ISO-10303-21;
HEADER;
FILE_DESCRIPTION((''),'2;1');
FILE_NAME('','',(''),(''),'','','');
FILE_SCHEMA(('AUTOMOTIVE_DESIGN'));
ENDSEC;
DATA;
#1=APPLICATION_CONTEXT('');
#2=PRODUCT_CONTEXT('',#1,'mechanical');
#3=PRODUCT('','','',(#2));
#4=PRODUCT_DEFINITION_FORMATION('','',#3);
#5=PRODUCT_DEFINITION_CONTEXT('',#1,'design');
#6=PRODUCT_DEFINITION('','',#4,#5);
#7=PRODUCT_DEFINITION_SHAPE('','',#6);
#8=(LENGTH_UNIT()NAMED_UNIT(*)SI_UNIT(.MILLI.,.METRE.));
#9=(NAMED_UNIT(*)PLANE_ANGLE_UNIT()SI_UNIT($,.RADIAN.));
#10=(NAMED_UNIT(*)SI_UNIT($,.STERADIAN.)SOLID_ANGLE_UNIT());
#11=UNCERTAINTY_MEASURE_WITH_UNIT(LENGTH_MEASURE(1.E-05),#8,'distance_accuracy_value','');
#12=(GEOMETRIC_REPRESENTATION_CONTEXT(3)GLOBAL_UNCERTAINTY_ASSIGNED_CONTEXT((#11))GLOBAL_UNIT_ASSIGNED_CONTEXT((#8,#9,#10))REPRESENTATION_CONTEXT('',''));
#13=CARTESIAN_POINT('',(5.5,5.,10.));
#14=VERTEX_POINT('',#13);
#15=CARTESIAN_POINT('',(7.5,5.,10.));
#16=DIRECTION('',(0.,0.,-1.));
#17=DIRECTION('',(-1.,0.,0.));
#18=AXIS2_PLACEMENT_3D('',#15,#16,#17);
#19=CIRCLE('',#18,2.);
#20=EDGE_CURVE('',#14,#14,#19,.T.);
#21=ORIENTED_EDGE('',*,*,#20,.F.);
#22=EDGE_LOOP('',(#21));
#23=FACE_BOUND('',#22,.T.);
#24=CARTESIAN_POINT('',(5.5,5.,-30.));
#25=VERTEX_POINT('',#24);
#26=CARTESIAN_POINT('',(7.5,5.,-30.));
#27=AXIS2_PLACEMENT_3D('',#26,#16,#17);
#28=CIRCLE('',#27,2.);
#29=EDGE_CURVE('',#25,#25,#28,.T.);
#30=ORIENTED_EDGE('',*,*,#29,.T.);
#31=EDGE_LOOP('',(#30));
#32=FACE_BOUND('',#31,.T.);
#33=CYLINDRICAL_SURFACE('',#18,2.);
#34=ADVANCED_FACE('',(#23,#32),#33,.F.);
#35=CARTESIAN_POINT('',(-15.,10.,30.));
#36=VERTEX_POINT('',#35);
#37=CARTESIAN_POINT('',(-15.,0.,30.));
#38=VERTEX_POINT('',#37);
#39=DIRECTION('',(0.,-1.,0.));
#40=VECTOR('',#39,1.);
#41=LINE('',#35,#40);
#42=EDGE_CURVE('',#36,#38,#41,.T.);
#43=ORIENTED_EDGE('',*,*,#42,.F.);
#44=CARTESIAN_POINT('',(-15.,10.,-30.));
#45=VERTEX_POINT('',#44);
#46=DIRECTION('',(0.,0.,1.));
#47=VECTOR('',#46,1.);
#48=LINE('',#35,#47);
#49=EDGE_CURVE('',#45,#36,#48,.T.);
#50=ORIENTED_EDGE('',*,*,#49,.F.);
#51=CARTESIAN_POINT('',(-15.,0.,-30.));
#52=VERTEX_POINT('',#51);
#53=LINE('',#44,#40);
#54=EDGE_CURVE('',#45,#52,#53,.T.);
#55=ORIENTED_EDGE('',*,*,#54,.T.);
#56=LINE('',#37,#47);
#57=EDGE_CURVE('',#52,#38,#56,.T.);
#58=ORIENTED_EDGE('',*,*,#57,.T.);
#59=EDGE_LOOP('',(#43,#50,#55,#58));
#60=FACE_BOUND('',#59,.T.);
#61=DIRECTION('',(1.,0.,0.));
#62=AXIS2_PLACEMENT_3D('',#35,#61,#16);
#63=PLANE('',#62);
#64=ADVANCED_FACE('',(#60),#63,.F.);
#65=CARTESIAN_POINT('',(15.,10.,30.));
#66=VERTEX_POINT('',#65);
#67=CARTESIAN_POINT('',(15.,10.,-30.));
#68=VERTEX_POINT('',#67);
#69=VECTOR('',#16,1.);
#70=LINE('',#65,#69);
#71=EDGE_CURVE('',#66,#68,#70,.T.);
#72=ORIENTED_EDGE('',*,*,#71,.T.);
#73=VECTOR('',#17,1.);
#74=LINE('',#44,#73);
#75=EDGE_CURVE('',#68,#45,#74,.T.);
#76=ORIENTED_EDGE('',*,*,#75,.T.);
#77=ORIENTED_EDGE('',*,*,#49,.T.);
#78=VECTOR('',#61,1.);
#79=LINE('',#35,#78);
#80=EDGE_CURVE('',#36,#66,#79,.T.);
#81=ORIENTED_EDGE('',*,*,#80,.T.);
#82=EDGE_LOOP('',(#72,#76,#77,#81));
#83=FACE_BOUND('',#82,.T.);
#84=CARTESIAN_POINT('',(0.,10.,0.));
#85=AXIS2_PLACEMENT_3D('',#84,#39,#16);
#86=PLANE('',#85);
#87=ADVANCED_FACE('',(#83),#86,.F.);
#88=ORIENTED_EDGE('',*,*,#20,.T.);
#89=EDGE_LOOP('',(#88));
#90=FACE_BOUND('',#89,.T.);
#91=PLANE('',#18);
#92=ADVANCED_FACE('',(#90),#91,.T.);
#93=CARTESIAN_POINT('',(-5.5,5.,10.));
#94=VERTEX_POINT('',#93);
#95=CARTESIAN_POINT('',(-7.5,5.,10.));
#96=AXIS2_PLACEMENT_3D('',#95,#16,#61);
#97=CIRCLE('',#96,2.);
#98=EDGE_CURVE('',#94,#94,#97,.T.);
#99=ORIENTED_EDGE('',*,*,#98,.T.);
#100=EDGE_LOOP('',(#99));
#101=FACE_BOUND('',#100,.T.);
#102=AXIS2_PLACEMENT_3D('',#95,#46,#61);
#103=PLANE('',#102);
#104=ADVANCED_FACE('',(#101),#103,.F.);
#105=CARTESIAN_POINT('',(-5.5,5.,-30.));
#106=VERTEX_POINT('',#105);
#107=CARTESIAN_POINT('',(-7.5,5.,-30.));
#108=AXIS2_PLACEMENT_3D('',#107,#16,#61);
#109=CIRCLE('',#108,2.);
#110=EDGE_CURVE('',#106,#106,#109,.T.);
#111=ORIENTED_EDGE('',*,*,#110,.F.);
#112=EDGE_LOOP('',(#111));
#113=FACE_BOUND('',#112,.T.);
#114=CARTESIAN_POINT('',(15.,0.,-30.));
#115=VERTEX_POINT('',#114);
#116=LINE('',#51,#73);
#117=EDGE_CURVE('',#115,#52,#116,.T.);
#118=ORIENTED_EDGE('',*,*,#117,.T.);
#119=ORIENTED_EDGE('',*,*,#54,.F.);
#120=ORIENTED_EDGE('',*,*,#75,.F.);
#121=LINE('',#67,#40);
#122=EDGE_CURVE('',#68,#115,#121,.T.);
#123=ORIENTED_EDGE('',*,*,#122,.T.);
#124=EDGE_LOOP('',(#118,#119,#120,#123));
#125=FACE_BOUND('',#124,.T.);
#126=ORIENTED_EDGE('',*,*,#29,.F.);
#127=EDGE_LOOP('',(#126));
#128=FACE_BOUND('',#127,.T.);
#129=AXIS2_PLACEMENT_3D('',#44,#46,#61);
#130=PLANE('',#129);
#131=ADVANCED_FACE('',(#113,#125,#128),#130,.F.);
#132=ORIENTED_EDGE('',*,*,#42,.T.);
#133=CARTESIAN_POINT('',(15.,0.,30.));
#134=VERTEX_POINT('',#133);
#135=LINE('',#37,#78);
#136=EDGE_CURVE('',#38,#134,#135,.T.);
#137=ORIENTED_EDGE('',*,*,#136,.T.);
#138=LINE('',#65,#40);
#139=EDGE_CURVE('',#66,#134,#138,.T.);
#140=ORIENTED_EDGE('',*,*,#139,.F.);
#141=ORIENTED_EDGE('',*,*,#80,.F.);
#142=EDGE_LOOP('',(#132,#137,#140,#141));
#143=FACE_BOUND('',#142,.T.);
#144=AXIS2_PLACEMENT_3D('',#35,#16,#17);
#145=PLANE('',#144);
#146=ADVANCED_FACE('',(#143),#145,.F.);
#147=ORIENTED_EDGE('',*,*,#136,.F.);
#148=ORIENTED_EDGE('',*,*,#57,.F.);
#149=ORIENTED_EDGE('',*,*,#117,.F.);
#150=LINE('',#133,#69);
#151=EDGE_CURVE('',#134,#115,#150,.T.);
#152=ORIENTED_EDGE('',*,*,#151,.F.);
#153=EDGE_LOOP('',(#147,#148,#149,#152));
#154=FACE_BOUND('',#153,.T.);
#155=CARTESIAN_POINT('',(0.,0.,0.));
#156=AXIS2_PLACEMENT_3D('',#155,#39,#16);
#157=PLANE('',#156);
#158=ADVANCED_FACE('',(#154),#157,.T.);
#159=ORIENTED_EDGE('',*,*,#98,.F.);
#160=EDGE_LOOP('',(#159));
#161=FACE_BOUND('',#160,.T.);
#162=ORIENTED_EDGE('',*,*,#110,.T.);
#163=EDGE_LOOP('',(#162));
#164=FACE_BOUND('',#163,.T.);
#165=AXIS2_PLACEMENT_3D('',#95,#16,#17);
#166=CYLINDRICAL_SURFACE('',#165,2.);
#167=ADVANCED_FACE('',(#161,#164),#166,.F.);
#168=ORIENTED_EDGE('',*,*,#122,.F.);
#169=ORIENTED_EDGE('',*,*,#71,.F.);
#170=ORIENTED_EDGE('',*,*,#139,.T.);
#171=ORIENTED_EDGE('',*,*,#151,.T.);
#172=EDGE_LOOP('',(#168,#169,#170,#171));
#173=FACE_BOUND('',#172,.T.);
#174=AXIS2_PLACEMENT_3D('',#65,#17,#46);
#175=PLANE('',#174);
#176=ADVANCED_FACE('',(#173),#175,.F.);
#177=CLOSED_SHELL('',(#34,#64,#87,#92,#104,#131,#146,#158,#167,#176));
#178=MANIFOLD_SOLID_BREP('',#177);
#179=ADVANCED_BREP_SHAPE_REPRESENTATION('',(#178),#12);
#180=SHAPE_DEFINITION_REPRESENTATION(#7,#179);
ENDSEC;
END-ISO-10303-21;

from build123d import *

# Parameters (mm, degrees)
SKETCH_1_W          = 30
SKETCH_1_H          = 60
EXTRUDE_1_DEPTH     = 10
SKETCH_2_R          = 2
CUT_EXTRUDE_1_DEPTH = 40


with BuildPart() as part:
    # 草图1 → 凸台-拉伸1 (new body)
    with BuildSketch(Plane(origin=(0, 0, 0), x_dir=(1, 0, 0), z_dir=(0, 1, 0))):
        Rectangle(SKETCH_1_W, SKETCH_1_H)
    extrude(amount=EXTRUDE_1_DEPTH)

    # 草图2 → 切除-拉伸1 (cut)
    with BuildSketch(Plane(origin=(0, 0, -30), x_dir=(-1, 0, 0), z_dir=(0, 0, -1))):
        with Locations((-7.5, 5)):
            Circle(SKETCH_2_R)
        with Locations(Location((7.5, 5, 0), (0, 0, 180))):
            Circle(SKETCH_2_R)
    extrude(amount=-CUT_EXTRUDE_1_DEPTH, mode=Mode.SUBTRACT)


solid = part.part
